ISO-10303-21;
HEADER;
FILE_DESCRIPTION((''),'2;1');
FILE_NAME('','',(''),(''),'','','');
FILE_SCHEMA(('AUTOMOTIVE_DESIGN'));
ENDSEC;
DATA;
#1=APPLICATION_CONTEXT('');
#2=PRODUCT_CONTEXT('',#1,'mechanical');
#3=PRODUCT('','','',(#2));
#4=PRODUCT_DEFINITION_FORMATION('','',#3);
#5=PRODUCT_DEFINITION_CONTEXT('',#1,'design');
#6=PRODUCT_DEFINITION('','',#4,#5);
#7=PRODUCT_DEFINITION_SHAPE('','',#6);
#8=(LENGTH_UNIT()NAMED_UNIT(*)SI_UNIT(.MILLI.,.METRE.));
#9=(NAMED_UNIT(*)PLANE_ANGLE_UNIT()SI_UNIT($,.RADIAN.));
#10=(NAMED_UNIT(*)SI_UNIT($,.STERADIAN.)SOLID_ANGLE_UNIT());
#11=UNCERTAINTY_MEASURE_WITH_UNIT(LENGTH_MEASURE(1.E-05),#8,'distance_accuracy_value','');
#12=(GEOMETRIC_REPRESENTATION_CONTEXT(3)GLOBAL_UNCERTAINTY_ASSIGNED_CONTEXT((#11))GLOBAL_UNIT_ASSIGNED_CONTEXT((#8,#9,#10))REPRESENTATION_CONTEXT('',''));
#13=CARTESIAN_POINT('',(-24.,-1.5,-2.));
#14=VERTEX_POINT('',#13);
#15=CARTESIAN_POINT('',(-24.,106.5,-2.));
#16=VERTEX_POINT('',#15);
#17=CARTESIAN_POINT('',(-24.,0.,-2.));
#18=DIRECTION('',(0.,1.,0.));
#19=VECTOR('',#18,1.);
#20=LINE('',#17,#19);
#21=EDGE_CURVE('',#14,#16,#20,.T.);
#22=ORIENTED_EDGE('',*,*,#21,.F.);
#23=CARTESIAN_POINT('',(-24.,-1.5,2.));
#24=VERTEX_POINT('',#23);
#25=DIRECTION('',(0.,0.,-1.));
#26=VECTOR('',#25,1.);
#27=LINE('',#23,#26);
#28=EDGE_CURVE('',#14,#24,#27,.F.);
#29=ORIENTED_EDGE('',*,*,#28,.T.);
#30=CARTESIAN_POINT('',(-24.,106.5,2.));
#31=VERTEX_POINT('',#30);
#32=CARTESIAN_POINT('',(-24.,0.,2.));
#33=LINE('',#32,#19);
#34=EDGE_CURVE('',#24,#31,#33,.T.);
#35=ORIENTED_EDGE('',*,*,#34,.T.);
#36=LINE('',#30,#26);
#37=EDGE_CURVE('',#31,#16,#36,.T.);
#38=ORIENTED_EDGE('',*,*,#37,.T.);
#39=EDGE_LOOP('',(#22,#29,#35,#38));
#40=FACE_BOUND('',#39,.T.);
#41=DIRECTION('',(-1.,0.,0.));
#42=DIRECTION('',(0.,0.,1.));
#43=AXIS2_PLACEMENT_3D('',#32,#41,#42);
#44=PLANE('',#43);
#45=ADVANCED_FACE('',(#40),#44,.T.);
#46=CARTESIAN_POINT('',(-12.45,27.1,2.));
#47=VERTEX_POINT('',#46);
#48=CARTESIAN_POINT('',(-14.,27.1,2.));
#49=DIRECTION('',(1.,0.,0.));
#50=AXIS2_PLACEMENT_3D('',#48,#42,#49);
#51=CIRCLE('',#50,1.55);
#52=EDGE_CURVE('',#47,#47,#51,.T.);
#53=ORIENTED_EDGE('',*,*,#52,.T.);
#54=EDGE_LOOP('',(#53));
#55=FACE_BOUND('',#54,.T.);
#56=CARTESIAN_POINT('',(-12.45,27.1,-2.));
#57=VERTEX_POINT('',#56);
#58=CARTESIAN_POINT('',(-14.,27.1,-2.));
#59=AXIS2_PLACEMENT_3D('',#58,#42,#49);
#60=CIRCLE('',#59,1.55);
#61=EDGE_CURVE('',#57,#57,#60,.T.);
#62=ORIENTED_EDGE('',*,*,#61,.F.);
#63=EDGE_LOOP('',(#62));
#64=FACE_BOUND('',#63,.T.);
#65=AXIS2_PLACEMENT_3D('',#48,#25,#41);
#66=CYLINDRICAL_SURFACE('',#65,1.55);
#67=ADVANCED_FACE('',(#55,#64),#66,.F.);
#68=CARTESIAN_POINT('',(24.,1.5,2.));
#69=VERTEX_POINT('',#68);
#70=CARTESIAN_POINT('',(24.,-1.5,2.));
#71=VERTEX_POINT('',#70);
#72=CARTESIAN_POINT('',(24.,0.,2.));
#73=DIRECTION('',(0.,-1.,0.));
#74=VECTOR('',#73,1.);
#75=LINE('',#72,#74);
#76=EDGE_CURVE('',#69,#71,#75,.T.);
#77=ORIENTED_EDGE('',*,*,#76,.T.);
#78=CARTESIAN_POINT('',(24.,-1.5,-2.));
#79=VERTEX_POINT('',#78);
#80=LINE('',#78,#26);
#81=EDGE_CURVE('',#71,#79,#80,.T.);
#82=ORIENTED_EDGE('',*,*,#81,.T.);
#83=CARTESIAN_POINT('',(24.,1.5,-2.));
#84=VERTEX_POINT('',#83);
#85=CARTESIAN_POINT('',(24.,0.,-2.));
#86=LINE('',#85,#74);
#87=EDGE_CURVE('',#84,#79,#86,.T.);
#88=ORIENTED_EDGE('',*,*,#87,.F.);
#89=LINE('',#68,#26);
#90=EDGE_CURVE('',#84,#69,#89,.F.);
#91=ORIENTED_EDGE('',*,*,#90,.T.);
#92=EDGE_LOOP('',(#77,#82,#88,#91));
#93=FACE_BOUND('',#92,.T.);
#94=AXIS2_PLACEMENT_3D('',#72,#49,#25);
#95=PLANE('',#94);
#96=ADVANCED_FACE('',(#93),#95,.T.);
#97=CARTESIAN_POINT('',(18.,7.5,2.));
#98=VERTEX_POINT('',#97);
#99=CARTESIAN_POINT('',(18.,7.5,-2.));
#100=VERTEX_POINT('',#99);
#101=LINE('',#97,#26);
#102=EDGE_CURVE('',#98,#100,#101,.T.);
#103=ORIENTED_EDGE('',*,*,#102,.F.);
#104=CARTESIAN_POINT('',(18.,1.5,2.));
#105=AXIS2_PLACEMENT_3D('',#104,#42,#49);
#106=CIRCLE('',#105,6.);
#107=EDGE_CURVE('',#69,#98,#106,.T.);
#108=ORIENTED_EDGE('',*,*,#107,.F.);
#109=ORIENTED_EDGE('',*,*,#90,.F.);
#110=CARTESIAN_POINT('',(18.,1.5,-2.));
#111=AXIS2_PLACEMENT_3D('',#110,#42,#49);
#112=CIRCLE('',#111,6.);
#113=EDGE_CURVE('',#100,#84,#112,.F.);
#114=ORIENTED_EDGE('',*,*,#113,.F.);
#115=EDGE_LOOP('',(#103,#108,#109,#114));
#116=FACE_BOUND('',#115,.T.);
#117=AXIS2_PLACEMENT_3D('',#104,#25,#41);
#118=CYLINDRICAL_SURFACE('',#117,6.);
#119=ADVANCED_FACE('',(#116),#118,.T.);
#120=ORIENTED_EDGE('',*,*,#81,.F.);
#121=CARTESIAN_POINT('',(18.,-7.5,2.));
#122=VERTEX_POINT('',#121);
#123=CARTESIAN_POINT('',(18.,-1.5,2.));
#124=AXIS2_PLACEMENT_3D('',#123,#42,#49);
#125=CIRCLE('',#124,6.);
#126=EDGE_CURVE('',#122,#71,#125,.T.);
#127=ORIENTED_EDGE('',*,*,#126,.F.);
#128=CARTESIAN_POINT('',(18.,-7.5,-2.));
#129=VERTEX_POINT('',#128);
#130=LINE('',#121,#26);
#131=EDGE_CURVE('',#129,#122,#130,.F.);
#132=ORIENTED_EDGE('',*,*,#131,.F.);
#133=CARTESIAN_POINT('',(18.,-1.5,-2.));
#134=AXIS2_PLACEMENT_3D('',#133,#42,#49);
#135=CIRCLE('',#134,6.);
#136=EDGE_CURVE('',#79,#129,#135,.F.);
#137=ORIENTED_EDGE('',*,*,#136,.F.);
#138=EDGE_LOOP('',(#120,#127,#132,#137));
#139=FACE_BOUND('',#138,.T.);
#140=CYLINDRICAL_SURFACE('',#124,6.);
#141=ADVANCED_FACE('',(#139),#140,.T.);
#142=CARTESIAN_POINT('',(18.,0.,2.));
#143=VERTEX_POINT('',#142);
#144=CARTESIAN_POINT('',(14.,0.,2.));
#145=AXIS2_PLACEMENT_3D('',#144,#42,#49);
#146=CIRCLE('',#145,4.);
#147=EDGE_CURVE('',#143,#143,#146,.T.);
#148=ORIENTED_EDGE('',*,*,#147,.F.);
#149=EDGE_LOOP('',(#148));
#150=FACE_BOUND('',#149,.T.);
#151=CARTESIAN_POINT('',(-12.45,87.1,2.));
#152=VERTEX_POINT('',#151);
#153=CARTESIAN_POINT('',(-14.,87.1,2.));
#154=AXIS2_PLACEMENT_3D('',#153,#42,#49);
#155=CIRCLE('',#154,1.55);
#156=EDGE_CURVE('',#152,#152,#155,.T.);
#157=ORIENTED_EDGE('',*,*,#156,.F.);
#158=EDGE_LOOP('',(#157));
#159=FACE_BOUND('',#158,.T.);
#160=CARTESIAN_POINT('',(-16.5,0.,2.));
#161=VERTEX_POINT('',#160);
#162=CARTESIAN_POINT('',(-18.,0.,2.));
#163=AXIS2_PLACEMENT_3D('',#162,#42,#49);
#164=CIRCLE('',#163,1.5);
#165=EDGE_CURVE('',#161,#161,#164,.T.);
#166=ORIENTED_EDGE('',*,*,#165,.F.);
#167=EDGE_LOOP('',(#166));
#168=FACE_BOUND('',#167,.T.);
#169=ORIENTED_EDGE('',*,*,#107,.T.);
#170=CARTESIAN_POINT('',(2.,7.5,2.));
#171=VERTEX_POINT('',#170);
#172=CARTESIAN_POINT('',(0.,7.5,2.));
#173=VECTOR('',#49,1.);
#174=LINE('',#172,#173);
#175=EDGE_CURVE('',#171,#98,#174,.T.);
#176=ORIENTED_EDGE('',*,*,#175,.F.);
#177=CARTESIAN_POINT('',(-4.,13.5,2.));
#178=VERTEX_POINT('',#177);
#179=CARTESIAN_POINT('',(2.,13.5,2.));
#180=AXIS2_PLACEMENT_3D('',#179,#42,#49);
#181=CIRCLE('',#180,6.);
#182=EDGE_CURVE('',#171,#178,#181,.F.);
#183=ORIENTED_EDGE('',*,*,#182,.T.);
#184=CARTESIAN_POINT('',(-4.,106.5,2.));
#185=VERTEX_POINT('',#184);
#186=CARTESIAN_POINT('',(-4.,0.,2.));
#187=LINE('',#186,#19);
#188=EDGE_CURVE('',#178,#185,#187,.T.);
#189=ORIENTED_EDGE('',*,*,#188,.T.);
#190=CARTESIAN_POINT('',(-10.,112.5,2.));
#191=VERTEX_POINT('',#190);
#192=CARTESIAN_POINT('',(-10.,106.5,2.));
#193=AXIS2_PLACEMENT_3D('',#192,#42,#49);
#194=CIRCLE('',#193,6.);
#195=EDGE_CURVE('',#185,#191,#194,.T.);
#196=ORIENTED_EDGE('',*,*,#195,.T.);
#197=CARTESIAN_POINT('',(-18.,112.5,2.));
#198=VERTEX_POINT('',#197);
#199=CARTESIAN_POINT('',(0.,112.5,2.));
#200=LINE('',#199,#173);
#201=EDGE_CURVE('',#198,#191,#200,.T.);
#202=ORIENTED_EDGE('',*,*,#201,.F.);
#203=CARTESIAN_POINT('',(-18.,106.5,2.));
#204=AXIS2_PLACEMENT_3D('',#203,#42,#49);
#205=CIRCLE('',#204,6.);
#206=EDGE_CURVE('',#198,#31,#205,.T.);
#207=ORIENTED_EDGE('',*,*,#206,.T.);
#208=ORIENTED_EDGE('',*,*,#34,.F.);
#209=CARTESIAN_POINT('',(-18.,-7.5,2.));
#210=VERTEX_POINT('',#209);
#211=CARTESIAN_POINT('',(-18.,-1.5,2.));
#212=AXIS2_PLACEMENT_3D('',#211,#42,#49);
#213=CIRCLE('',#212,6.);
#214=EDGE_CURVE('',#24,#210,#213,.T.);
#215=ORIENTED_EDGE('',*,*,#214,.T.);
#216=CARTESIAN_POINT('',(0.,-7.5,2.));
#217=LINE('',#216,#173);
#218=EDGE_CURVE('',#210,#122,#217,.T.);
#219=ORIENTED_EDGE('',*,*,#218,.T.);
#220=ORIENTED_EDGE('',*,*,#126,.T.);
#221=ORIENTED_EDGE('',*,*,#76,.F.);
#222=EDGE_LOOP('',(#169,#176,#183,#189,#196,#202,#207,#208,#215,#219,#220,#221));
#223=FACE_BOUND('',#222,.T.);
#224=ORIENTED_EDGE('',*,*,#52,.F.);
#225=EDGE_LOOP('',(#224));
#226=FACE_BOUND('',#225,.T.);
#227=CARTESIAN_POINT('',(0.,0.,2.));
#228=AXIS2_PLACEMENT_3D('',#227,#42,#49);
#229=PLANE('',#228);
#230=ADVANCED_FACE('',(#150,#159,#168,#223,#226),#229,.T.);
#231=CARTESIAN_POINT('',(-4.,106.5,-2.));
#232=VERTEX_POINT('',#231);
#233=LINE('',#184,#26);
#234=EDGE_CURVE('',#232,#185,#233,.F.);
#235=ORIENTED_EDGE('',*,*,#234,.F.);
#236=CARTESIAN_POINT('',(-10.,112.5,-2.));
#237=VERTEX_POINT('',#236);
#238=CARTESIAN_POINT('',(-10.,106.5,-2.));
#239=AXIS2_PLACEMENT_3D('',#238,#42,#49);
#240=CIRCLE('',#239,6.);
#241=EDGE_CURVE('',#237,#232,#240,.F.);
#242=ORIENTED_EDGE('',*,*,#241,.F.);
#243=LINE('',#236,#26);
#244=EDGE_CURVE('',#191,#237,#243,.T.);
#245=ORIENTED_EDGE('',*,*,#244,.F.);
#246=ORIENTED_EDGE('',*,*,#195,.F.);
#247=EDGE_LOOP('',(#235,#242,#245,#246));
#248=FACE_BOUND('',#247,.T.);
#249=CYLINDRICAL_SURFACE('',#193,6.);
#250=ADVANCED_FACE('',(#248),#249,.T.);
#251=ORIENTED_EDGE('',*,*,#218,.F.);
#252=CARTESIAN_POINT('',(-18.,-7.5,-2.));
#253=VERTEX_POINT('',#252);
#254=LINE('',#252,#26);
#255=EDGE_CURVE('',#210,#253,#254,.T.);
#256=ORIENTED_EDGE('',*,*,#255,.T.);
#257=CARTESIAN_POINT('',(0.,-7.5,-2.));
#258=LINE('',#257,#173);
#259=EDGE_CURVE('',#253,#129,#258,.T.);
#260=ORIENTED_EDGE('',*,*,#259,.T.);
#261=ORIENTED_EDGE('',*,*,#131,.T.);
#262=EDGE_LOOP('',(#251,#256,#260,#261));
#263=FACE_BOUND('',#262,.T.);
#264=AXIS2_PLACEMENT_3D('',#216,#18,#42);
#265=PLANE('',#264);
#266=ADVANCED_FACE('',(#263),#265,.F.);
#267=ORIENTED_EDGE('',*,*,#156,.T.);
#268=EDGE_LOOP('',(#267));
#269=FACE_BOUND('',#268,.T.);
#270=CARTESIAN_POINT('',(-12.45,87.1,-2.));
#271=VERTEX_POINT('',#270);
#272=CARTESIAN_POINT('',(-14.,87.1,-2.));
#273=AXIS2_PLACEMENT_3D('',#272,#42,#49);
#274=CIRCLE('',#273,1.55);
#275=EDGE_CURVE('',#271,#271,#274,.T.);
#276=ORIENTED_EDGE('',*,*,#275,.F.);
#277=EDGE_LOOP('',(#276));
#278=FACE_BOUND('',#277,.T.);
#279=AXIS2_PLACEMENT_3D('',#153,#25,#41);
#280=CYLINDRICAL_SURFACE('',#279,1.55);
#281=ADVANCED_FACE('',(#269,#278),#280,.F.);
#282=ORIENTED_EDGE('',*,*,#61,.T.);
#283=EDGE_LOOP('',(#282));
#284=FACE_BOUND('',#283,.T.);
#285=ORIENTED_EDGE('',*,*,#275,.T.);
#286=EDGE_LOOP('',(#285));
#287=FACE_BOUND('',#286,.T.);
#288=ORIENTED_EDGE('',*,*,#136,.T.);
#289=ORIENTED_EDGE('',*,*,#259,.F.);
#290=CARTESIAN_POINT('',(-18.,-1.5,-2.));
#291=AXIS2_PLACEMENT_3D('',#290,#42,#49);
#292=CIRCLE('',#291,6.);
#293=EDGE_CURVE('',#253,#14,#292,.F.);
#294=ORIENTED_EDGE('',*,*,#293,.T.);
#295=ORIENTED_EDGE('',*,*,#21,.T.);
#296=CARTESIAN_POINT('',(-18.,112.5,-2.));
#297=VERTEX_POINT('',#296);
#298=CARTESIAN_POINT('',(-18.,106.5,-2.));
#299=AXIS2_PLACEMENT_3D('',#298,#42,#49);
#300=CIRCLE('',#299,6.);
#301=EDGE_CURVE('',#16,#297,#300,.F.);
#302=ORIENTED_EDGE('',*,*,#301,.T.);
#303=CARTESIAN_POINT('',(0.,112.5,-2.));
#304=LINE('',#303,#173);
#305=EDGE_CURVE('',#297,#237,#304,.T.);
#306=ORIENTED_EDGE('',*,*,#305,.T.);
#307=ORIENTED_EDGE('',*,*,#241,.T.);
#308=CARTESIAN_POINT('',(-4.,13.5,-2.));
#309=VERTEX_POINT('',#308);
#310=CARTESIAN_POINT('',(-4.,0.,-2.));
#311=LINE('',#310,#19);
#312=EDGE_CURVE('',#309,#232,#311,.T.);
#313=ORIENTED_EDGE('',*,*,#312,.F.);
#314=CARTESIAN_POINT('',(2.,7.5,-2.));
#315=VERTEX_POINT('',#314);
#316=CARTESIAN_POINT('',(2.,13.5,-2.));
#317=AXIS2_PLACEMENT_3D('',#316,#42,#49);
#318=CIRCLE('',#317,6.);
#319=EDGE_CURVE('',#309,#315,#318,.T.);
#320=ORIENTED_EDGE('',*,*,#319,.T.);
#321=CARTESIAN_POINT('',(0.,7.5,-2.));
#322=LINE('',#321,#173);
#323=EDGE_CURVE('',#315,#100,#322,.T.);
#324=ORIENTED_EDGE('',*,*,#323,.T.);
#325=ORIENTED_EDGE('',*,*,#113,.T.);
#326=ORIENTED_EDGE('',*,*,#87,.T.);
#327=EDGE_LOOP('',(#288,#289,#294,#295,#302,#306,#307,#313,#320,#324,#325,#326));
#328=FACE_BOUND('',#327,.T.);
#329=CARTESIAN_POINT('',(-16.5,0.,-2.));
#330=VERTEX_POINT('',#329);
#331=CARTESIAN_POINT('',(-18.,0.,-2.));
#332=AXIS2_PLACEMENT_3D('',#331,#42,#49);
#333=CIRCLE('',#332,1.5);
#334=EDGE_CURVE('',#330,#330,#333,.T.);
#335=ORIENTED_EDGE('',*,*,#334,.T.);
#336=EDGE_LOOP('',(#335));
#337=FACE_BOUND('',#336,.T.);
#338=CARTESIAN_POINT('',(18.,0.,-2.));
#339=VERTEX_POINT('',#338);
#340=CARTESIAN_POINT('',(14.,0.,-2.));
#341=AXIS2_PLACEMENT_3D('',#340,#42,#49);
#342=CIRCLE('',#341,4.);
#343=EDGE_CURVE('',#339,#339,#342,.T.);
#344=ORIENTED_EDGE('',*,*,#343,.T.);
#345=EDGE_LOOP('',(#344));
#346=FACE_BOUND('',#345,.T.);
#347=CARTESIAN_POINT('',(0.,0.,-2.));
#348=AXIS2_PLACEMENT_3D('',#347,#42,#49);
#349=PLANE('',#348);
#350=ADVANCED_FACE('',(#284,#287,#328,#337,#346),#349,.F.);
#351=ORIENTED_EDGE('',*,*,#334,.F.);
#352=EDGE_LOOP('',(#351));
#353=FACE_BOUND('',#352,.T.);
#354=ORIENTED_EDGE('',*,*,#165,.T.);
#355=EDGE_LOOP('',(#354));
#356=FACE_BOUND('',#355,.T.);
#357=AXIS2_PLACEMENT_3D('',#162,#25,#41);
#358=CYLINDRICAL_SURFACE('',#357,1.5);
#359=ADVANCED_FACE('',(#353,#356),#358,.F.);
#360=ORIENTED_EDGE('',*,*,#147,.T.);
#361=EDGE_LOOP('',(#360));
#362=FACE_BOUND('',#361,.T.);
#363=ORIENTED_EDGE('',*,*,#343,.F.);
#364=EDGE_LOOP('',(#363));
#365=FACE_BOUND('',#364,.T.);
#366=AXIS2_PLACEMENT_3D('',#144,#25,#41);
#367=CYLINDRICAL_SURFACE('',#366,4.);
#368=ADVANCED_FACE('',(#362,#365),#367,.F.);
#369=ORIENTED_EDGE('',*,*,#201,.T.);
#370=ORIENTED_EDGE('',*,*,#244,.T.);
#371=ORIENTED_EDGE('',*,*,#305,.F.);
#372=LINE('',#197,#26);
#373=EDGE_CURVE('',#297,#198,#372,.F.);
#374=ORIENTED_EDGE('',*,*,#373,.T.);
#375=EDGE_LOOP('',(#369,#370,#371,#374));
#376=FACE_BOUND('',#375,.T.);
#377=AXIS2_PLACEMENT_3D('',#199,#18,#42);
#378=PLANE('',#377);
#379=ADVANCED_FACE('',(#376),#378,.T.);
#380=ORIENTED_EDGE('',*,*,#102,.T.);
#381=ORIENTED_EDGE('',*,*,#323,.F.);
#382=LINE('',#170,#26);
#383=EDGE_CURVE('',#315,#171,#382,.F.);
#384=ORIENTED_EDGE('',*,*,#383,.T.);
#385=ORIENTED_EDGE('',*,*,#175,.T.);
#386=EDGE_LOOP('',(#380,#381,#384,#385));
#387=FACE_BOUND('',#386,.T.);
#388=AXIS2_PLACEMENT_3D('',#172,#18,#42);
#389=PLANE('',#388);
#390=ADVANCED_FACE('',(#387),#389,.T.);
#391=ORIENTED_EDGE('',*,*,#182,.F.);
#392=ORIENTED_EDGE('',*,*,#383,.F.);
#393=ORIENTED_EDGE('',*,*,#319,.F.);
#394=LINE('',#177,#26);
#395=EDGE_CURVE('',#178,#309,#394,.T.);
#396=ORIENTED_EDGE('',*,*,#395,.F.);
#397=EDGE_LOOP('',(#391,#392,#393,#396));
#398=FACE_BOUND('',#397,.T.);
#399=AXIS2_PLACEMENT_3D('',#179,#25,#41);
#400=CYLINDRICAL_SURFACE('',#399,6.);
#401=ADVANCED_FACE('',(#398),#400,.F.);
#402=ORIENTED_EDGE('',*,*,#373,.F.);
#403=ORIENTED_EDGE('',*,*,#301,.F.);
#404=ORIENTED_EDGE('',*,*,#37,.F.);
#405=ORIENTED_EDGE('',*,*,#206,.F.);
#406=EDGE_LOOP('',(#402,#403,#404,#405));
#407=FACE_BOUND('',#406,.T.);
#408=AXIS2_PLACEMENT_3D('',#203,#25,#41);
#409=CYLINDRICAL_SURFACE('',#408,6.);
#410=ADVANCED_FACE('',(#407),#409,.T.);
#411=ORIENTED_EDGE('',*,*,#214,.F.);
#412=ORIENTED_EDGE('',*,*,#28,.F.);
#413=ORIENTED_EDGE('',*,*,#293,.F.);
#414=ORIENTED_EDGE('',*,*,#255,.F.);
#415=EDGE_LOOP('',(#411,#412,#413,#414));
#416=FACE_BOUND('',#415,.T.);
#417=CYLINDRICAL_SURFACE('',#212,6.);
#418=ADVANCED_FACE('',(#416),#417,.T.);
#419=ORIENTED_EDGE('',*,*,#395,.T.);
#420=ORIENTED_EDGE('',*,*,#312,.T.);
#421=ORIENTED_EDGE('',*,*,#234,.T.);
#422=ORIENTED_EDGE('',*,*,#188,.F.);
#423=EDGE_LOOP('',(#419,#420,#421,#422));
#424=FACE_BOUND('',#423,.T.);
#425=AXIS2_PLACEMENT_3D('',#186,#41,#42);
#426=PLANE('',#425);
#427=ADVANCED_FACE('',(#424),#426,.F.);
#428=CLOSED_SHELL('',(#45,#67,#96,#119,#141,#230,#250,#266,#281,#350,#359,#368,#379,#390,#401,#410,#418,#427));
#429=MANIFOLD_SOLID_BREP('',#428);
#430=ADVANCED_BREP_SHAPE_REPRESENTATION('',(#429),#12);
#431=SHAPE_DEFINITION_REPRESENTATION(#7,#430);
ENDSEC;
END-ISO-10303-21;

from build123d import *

# Parameters (mm, degrees)
SKETCH1_W           = 20
SKETCH1_H           = 105
SKETCH1_R           = 1.55
SKETCH1_H_2         = 15
SKETCH1_R_2         = 1.5
SKETCH1_W_2         = 28
SKETCH1_R_3         = 4
BOSS_EXTRUDE1_DEPTH = 2
FILLET1_R           = 6


with BuildPart() as part:
    # Sketch1 → Boss-Extrude1 (new, symmetric)
    # profile 1 of 3: a face of its own
    with BuildSketch(Plane.XY):
        with Locations((-14, 60)):
            Rectangle(SKETCH1_W, SKETCH1_H)
        with Locations((-14, 27.1)):
            Circle(SKETCH1_R, mode=Mode.SUBTRACT)
        with Locations((-14, 87.1)):
            Circle(SKETCH1_R, mode=Mode.SUBTRACT)
    # profile 2 of 3: a face of its own
    with BuildSketch(Plane.XY):
        with Locations((-14, 0)):
            Rectangle(SKETCH1_W, SKETCH1_H_2)
        with Locations((-18, 0)):
            Circle(SKETCH1_R_2, mode=Mode.SUBTRACT)
    # profile 3 of 3: a face of its own
    with BuildSketch(Plane.XY):
        with Locations((10, 0)):
            Rectangle(SKETCH1_W_2, SKETCH1_H_2)
        with Locations((14, 0)):
            Circle(SKETCH1_R_3, mode=Mode.SUBTRACT)
    extrude(amount=BOSS_EXTRUDE1_DEPTH, both=True)

    # Fillet1
    fillet1_edges = [part.edges().sort_by_distance(p)[0] for p in [
        (-24, 112.5, 0),
        (-4, 112.5, 0),
        (-4, 7.5, 0),
        (24, 7.5, 0),
        (24, -7.5, 0),
        (-24, -7.5, 0),
    ]]
    fillet(fillet1_edges, radius=FILLET1_R)


solid = part.part
